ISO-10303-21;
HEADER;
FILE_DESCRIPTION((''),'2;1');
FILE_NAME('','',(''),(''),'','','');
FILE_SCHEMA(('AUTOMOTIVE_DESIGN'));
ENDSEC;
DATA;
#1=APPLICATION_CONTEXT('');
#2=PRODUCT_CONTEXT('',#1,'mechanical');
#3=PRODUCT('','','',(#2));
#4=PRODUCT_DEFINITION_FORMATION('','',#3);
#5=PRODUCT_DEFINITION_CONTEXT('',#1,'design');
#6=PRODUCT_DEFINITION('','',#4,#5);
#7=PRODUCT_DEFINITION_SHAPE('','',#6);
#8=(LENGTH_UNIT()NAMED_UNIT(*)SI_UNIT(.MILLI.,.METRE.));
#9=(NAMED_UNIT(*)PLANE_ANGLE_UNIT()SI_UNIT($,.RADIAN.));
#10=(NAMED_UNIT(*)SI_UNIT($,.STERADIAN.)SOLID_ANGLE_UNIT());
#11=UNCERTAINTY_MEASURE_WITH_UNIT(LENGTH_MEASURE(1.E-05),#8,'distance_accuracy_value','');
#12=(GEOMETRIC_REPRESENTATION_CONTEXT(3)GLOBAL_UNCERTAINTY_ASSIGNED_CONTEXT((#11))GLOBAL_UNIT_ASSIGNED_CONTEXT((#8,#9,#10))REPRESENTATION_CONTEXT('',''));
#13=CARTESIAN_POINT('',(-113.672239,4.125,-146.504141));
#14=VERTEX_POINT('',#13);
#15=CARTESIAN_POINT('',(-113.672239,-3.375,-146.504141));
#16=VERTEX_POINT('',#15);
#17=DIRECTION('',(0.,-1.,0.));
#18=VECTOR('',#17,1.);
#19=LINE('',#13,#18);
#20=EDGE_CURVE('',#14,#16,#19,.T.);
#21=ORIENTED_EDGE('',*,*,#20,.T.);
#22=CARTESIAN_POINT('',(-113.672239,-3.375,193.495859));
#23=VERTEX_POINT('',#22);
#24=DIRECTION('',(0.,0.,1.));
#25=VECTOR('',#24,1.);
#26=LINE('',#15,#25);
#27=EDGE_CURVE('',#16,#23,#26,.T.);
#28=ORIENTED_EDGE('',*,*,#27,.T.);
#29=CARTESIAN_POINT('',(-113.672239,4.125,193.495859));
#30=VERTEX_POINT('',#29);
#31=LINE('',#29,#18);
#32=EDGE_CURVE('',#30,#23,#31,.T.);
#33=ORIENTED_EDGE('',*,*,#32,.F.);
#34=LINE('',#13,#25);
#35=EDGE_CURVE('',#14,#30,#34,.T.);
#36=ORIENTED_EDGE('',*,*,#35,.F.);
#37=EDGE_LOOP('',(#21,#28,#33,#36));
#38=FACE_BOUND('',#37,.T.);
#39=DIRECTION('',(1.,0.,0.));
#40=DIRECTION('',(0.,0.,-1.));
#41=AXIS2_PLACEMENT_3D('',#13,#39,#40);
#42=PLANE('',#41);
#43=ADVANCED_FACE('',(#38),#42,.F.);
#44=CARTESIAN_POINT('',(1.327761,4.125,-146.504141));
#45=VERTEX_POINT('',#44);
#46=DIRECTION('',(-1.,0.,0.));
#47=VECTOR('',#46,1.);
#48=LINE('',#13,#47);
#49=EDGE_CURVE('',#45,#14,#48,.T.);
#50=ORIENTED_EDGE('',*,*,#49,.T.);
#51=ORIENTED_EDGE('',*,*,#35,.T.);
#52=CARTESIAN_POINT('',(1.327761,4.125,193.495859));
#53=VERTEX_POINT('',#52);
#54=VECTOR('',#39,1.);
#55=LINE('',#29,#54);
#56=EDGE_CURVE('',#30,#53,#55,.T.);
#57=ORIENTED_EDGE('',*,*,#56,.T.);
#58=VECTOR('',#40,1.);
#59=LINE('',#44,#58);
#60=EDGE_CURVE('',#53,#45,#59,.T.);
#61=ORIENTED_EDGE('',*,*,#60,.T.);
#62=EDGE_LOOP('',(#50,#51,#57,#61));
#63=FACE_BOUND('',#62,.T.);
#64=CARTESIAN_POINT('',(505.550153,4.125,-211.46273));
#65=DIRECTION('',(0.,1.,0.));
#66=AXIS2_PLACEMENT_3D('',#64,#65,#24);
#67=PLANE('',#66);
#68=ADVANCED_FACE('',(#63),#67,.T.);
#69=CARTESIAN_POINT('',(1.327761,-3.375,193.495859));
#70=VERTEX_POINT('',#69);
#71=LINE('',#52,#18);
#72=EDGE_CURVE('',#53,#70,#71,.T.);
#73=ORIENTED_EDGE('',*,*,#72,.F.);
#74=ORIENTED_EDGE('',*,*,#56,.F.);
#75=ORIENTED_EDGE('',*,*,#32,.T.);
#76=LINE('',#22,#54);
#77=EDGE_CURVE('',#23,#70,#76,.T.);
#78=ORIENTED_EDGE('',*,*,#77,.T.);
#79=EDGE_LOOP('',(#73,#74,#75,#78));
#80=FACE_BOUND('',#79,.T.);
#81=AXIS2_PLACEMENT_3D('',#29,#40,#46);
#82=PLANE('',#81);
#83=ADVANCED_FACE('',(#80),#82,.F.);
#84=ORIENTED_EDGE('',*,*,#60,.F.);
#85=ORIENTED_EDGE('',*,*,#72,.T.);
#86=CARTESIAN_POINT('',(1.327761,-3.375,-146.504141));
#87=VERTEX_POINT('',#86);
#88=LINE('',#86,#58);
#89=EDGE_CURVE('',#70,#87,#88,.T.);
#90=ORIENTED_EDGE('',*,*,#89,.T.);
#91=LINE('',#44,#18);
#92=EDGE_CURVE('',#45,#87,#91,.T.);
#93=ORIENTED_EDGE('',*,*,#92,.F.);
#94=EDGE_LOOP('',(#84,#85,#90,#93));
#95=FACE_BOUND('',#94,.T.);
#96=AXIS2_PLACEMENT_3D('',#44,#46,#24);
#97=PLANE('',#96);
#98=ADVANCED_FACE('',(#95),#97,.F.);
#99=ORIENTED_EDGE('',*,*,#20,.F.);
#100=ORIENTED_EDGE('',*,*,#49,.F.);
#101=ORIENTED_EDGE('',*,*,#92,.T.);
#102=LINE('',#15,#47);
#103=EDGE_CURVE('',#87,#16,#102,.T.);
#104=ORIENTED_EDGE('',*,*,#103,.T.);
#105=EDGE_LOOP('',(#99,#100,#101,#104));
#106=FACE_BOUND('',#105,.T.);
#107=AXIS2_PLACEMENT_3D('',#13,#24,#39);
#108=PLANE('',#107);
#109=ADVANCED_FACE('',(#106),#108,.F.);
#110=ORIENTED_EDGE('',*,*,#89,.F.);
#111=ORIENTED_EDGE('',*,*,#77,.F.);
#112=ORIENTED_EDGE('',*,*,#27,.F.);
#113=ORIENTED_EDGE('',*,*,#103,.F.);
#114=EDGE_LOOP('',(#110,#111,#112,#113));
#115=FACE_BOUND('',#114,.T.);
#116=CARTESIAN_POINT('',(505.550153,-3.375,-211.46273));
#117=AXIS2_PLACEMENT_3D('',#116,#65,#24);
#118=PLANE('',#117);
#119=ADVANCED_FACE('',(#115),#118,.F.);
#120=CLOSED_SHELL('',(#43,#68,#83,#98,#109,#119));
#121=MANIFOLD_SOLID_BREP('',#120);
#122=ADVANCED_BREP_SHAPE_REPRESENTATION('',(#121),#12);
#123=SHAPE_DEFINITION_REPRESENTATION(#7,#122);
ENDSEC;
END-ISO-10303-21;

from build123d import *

# Parameters (mm, degrees)
SKETCH1_W           = 11.5
SKETCH1_H           = 34
BOSS_EXTRUDE1_DEPTH = 0.75
SCALE1_SCALE        = 10


with BuildPart() as part:
    # Sketch1 → Boss-Extrude1 (new body)
    with BuildSketch(Plane(origin=(0, 0, 0), x_dir=(1, 0, 0), z_dir=(0, 1, 0))):
        with Locations((-56.172239264, -23.495858896)):
            Rectangle(SKETCH1_W, SKETCH1_H)
    extrude(amount=BOSS_EXTRUDE1_DEPTH)


with BuildPart() as part_1:
    # Scale1: scaled about (-56.172239264, 0.375, 23.495858896)
    add(part.part.scale(SCALE1_SCALE).moved(Location((505.550153376, -3.375, -211.462730064))))


solid = part_1.part
